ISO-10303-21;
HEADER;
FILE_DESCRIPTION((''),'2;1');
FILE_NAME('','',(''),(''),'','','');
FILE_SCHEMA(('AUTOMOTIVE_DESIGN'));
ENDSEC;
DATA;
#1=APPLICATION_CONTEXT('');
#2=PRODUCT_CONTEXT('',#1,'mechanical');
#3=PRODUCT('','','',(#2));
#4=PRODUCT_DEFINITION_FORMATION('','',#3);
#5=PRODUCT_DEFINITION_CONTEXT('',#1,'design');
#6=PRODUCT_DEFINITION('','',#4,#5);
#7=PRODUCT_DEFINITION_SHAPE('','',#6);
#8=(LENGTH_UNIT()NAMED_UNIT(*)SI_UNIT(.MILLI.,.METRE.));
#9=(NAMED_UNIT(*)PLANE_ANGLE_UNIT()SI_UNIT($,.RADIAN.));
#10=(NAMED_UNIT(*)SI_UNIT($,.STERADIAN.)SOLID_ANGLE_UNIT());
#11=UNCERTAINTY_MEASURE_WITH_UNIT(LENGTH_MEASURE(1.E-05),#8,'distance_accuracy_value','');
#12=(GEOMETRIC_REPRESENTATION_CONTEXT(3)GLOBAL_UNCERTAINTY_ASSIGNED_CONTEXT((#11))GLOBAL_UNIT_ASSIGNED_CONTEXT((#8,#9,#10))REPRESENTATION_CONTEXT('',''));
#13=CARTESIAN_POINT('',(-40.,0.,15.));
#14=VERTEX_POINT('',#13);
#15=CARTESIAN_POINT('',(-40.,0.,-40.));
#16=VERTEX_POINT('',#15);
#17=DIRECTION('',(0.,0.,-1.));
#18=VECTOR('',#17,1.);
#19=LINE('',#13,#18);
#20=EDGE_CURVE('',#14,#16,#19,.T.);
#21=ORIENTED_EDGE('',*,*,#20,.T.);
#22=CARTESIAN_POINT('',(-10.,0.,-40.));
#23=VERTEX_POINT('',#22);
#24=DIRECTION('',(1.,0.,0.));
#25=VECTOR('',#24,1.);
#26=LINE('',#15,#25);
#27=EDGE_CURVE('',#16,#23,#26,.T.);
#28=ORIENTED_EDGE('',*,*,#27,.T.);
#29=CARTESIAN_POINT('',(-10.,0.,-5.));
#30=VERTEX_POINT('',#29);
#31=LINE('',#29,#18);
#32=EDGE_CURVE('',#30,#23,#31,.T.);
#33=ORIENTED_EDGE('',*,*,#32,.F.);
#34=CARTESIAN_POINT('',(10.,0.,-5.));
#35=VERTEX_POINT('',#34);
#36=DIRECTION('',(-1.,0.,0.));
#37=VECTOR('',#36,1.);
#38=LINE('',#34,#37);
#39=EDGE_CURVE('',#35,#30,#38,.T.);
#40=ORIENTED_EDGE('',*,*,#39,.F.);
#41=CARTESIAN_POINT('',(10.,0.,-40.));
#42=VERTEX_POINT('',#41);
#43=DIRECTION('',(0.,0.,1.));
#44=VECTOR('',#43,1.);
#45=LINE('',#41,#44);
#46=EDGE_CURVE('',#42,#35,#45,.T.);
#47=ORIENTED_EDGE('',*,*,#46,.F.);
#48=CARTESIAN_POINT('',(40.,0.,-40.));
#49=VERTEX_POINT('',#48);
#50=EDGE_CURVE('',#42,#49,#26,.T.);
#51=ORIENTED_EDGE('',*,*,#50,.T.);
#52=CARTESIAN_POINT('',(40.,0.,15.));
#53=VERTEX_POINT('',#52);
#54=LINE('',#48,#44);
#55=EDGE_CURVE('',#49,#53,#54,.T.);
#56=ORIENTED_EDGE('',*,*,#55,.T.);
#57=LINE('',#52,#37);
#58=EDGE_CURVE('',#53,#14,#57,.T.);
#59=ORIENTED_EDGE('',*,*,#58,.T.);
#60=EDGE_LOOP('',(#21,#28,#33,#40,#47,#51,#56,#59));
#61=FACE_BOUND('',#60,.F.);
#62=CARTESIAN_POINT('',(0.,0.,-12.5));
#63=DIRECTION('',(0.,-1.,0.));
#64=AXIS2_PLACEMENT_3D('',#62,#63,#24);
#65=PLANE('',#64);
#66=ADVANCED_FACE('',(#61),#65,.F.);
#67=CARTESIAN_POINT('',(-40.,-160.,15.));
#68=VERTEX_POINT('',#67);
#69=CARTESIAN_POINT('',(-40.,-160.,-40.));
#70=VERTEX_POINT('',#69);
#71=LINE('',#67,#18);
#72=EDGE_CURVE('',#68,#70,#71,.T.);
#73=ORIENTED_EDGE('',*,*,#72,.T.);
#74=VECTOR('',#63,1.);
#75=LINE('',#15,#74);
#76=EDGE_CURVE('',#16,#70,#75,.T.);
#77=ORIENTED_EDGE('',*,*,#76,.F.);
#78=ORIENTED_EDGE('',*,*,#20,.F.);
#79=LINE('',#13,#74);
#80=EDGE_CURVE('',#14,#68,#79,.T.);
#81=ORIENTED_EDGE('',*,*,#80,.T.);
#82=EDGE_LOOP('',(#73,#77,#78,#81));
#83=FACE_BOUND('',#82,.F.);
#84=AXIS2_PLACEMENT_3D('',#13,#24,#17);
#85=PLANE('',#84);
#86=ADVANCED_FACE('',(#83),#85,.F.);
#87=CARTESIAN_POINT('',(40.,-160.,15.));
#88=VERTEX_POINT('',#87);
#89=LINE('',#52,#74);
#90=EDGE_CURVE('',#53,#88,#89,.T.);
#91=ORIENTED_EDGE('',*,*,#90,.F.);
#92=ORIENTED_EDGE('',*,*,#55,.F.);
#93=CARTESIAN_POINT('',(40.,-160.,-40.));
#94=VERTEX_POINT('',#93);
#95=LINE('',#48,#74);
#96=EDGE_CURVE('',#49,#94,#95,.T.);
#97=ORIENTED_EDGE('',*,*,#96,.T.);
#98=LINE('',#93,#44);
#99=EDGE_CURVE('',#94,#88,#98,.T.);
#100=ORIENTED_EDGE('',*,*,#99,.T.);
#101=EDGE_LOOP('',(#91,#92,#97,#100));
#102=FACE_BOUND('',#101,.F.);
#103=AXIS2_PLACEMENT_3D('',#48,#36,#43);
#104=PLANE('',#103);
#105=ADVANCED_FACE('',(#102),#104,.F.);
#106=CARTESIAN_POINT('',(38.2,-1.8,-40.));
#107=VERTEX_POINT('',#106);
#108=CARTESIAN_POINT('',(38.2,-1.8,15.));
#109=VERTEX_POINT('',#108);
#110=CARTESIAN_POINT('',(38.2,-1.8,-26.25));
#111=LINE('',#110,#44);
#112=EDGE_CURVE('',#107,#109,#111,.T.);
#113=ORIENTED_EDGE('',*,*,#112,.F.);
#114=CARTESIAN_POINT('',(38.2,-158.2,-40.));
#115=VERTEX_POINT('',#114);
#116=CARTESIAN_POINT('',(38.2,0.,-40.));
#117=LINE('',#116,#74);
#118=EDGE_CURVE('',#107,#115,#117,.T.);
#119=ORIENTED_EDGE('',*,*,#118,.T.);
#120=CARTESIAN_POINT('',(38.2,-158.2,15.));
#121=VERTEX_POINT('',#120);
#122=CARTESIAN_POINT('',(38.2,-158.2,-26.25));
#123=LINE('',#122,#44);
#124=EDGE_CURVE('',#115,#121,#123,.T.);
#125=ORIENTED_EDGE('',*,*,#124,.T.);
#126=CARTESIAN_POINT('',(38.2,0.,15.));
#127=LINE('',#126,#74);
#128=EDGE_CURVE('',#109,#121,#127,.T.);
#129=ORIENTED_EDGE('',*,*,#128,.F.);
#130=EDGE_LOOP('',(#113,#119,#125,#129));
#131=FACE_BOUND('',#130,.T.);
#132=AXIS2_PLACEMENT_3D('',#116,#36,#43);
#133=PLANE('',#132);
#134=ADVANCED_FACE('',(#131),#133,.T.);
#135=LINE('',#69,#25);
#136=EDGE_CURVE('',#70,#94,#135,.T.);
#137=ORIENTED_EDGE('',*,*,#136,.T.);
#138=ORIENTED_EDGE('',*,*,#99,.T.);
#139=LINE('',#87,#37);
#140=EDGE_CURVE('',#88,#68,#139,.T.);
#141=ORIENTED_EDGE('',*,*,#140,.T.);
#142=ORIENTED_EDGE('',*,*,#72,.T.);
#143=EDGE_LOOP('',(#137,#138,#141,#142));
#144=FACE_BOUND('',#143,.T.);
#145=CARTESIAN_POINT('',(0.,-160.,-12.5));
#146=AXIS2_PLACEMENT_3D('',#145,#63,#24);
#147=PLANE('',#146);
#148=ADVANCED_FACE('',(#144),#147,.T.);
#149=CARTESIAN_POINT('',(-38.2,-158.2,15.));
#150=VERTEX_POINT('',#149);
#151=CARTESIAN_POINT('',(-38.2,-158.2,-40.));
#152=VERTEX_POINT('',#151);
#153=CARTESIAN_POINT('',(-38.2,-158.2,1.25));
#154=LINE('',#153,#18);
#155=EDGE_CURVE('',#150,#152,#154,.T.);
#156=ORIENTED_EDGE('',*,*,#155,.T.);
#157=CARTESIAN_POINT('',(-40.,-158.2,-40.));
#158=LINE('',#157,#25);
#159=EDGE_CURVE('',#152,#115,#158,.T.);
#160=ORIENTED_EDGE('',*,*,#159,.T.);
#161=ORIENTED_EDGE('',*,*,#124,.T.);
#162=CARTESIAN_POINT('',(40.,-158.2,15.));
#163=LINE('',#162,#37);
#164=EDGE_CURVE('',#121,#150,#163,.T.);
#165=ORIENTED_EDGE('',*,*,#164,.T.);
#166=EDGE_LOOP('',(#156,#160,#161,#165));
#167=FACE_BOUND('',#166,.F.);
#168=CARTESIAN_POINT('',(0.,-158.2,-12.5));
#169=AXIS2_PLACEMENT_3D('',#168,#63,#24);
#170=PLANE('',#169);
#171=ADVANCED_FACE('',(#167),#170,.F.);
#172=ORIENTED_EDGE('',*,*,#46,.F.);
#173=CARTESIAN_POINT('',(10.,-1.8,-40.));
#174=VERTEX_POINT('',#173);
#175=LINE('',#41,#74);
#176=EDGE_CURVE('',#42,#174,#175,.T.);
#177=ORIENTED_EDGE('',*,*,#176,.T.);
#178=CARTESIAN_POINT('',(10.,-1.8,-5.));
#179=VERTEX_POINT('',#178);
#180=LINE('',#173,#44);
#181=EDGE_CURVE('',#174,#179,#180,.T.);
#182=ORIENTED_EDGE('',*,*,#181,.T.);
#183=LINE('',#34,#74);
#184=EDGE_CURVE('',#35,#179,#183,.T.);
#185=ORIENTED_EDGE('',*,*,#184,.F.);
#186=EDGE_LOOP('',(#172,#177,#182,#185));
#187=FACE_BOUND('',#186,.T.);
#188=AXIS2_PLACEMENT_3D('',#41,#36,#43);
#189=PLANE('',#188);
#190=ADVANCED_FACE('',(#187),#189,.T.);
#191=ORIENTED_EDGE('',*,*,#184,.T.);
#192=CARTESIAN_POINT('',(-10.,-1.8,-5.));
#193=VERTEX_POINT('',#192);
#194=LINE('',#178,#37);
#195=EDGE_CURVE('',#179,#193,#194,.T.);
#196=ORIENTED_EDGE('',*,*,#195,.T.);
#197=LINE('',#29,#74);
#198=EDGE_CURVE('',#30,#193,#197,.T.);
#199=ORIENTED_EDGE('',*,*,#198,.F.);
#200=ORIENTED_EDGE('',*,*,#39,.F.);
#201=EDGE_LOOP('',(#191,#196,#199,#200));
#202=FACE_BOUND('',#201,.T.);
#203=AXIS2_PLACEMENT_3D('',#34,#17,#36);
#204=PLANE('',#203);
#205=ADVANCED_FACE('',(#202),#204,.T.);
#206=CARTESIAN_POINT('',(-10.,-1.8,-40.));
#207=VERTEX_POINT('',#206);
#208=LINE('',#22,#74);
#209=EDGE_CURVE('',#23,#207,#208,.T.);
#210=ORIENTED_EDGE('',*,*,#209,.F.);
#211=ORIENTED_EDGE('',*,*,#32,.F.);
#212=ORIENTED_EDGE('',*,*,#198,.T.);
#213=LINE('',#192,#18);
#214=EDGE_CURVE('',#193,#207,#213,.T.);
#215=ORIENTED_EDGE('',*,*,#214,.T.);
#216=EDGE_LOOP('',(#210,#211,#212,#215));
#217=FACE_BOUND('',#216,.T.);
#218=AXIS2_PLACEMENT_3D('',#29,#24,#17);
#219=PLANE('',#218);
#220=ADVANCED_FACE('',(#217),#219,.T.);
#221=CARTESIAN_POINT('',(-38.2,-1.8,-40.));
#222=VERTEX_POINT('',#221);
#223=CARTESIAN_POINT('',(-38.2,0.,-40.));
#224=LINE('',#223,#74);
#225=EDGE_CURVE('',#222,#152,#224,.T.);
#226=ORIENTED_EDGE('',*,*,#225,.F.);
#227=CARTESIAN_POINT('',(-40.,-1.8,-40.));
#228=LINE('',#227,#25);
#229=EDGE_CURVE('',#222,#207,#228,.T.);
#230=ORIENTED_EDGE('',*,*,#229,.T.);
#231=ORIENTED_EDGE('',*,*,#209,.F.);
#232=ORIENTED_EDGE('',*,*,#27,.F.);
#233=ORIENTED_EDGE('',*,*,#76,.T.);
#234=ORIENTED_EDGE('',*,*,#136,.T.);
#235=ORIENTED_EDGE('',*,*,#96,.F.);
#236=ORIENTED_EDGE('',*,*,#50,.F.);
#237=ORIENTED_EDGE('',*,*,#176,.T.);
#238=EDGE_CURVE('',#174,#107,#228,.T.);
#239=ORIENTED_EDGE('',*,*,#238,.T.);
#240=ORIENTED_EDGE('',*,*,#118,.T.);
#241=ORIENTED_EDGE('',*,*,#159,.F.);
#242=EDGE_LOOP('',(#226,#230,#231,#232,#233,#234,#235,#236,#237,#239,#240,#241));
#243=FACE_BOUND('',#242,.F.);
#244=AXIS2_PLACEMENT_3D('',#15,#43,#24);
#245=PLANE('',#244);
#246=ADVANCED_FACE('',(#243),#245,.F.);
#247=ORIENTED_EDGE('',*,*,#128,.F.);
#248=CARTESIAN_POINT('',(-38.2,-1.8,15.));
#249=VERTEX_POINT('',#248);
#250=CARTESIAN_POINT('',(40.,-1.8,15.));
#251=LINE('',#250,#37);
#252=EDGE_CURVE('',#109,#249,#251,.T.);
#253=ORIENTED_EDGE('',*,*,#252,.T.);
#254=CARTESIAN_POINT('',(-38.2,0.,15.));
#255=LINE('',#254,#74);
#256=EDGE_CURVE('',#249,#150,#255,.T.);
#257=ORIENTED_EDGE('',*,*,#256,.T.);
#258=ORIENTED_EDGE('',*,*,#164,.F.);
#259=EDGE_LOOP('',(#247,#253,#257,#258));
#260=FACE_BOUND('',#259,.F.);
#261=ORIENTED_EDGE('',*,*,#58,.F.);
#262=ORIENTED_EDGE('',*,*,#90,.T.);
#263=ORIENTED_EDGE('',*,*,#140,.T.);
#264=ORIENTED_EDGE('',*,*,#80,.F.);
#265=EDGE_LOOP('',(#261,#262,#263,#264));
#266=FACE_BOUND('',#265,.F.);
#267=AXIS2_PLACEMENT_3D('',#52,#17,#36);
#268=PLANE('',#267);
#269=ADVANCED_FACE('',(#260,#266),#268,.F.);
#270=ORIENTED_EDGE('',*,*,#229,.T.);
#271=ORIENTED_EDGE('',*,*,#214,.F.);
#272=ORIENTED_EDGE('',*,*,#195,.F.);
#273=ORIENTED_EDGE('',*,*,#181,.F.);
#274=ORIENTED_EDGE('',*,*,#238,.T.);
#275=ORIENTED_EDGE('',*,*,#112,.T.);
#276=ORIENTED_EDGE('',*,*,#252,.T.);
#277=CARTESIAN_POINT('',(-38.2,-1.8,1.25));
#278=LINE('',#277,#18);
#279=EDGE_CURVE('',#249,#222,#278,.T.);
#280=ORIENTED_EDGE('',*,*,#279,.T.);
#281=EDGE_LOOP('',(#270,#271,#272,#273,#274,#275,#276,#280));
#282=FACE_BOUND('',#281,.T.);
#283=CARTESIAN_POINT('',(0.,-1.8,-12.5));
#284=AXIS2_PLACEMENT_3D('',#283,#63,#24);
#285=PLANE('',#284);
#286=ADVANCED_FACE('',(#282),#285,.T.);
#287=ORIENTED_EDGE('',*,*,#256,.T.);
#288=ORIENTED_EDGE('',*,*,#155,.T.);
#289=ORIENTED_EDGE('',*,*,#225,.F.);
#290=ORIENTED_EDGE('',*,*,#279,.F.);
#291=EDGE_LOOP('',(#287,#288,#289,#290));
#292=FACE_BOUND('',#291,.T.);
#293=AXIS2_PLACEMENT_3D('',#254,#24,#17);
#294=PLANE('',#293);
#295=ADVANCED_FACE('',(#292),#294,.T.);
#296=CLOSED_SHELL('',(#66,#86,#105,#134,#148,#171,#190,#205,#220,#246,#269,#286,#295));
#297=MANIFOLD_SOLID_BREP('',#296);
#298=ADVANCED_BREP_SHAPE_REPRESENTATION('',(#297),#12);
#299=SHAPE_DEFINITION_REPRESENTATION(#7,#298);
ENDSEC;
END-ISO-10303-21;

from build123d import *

# Parameters (mm, degrees)
F1_DEPTH = 160
F3_T     = -1.8
F4_DEPTH = 1.8


with BuildPart() as f1:
    # F0 (on Front) → F1 (new body)
    with BuildSketch(Plane.XZ):
        Polygon((-40, 0), (-40, -40), (-10, -40), (10, -40), (40, -40), (40, 15), (-40, 15), align=None)
    extrude(amount=F1_DEPTH)

    # F3
    f3_openings = [f1.faces().sort_by_distance(p)[0] for p in [
        (0, -80, 15),
        (0, -80, -40),
    ]]
    offset(amount=F3_T, openings=f3_openings)

    # F2 (on Front) → F4 (cut)
    with BuildSketch(Plane.XZ):
        Polygon((10, -5), (0, -5), (-10, -5), (-10, -40), (10, -40), align=None)
    extrude(amount=F4_DEPTH, mode=Mode.SUBTRACT)


solid = f1.part
